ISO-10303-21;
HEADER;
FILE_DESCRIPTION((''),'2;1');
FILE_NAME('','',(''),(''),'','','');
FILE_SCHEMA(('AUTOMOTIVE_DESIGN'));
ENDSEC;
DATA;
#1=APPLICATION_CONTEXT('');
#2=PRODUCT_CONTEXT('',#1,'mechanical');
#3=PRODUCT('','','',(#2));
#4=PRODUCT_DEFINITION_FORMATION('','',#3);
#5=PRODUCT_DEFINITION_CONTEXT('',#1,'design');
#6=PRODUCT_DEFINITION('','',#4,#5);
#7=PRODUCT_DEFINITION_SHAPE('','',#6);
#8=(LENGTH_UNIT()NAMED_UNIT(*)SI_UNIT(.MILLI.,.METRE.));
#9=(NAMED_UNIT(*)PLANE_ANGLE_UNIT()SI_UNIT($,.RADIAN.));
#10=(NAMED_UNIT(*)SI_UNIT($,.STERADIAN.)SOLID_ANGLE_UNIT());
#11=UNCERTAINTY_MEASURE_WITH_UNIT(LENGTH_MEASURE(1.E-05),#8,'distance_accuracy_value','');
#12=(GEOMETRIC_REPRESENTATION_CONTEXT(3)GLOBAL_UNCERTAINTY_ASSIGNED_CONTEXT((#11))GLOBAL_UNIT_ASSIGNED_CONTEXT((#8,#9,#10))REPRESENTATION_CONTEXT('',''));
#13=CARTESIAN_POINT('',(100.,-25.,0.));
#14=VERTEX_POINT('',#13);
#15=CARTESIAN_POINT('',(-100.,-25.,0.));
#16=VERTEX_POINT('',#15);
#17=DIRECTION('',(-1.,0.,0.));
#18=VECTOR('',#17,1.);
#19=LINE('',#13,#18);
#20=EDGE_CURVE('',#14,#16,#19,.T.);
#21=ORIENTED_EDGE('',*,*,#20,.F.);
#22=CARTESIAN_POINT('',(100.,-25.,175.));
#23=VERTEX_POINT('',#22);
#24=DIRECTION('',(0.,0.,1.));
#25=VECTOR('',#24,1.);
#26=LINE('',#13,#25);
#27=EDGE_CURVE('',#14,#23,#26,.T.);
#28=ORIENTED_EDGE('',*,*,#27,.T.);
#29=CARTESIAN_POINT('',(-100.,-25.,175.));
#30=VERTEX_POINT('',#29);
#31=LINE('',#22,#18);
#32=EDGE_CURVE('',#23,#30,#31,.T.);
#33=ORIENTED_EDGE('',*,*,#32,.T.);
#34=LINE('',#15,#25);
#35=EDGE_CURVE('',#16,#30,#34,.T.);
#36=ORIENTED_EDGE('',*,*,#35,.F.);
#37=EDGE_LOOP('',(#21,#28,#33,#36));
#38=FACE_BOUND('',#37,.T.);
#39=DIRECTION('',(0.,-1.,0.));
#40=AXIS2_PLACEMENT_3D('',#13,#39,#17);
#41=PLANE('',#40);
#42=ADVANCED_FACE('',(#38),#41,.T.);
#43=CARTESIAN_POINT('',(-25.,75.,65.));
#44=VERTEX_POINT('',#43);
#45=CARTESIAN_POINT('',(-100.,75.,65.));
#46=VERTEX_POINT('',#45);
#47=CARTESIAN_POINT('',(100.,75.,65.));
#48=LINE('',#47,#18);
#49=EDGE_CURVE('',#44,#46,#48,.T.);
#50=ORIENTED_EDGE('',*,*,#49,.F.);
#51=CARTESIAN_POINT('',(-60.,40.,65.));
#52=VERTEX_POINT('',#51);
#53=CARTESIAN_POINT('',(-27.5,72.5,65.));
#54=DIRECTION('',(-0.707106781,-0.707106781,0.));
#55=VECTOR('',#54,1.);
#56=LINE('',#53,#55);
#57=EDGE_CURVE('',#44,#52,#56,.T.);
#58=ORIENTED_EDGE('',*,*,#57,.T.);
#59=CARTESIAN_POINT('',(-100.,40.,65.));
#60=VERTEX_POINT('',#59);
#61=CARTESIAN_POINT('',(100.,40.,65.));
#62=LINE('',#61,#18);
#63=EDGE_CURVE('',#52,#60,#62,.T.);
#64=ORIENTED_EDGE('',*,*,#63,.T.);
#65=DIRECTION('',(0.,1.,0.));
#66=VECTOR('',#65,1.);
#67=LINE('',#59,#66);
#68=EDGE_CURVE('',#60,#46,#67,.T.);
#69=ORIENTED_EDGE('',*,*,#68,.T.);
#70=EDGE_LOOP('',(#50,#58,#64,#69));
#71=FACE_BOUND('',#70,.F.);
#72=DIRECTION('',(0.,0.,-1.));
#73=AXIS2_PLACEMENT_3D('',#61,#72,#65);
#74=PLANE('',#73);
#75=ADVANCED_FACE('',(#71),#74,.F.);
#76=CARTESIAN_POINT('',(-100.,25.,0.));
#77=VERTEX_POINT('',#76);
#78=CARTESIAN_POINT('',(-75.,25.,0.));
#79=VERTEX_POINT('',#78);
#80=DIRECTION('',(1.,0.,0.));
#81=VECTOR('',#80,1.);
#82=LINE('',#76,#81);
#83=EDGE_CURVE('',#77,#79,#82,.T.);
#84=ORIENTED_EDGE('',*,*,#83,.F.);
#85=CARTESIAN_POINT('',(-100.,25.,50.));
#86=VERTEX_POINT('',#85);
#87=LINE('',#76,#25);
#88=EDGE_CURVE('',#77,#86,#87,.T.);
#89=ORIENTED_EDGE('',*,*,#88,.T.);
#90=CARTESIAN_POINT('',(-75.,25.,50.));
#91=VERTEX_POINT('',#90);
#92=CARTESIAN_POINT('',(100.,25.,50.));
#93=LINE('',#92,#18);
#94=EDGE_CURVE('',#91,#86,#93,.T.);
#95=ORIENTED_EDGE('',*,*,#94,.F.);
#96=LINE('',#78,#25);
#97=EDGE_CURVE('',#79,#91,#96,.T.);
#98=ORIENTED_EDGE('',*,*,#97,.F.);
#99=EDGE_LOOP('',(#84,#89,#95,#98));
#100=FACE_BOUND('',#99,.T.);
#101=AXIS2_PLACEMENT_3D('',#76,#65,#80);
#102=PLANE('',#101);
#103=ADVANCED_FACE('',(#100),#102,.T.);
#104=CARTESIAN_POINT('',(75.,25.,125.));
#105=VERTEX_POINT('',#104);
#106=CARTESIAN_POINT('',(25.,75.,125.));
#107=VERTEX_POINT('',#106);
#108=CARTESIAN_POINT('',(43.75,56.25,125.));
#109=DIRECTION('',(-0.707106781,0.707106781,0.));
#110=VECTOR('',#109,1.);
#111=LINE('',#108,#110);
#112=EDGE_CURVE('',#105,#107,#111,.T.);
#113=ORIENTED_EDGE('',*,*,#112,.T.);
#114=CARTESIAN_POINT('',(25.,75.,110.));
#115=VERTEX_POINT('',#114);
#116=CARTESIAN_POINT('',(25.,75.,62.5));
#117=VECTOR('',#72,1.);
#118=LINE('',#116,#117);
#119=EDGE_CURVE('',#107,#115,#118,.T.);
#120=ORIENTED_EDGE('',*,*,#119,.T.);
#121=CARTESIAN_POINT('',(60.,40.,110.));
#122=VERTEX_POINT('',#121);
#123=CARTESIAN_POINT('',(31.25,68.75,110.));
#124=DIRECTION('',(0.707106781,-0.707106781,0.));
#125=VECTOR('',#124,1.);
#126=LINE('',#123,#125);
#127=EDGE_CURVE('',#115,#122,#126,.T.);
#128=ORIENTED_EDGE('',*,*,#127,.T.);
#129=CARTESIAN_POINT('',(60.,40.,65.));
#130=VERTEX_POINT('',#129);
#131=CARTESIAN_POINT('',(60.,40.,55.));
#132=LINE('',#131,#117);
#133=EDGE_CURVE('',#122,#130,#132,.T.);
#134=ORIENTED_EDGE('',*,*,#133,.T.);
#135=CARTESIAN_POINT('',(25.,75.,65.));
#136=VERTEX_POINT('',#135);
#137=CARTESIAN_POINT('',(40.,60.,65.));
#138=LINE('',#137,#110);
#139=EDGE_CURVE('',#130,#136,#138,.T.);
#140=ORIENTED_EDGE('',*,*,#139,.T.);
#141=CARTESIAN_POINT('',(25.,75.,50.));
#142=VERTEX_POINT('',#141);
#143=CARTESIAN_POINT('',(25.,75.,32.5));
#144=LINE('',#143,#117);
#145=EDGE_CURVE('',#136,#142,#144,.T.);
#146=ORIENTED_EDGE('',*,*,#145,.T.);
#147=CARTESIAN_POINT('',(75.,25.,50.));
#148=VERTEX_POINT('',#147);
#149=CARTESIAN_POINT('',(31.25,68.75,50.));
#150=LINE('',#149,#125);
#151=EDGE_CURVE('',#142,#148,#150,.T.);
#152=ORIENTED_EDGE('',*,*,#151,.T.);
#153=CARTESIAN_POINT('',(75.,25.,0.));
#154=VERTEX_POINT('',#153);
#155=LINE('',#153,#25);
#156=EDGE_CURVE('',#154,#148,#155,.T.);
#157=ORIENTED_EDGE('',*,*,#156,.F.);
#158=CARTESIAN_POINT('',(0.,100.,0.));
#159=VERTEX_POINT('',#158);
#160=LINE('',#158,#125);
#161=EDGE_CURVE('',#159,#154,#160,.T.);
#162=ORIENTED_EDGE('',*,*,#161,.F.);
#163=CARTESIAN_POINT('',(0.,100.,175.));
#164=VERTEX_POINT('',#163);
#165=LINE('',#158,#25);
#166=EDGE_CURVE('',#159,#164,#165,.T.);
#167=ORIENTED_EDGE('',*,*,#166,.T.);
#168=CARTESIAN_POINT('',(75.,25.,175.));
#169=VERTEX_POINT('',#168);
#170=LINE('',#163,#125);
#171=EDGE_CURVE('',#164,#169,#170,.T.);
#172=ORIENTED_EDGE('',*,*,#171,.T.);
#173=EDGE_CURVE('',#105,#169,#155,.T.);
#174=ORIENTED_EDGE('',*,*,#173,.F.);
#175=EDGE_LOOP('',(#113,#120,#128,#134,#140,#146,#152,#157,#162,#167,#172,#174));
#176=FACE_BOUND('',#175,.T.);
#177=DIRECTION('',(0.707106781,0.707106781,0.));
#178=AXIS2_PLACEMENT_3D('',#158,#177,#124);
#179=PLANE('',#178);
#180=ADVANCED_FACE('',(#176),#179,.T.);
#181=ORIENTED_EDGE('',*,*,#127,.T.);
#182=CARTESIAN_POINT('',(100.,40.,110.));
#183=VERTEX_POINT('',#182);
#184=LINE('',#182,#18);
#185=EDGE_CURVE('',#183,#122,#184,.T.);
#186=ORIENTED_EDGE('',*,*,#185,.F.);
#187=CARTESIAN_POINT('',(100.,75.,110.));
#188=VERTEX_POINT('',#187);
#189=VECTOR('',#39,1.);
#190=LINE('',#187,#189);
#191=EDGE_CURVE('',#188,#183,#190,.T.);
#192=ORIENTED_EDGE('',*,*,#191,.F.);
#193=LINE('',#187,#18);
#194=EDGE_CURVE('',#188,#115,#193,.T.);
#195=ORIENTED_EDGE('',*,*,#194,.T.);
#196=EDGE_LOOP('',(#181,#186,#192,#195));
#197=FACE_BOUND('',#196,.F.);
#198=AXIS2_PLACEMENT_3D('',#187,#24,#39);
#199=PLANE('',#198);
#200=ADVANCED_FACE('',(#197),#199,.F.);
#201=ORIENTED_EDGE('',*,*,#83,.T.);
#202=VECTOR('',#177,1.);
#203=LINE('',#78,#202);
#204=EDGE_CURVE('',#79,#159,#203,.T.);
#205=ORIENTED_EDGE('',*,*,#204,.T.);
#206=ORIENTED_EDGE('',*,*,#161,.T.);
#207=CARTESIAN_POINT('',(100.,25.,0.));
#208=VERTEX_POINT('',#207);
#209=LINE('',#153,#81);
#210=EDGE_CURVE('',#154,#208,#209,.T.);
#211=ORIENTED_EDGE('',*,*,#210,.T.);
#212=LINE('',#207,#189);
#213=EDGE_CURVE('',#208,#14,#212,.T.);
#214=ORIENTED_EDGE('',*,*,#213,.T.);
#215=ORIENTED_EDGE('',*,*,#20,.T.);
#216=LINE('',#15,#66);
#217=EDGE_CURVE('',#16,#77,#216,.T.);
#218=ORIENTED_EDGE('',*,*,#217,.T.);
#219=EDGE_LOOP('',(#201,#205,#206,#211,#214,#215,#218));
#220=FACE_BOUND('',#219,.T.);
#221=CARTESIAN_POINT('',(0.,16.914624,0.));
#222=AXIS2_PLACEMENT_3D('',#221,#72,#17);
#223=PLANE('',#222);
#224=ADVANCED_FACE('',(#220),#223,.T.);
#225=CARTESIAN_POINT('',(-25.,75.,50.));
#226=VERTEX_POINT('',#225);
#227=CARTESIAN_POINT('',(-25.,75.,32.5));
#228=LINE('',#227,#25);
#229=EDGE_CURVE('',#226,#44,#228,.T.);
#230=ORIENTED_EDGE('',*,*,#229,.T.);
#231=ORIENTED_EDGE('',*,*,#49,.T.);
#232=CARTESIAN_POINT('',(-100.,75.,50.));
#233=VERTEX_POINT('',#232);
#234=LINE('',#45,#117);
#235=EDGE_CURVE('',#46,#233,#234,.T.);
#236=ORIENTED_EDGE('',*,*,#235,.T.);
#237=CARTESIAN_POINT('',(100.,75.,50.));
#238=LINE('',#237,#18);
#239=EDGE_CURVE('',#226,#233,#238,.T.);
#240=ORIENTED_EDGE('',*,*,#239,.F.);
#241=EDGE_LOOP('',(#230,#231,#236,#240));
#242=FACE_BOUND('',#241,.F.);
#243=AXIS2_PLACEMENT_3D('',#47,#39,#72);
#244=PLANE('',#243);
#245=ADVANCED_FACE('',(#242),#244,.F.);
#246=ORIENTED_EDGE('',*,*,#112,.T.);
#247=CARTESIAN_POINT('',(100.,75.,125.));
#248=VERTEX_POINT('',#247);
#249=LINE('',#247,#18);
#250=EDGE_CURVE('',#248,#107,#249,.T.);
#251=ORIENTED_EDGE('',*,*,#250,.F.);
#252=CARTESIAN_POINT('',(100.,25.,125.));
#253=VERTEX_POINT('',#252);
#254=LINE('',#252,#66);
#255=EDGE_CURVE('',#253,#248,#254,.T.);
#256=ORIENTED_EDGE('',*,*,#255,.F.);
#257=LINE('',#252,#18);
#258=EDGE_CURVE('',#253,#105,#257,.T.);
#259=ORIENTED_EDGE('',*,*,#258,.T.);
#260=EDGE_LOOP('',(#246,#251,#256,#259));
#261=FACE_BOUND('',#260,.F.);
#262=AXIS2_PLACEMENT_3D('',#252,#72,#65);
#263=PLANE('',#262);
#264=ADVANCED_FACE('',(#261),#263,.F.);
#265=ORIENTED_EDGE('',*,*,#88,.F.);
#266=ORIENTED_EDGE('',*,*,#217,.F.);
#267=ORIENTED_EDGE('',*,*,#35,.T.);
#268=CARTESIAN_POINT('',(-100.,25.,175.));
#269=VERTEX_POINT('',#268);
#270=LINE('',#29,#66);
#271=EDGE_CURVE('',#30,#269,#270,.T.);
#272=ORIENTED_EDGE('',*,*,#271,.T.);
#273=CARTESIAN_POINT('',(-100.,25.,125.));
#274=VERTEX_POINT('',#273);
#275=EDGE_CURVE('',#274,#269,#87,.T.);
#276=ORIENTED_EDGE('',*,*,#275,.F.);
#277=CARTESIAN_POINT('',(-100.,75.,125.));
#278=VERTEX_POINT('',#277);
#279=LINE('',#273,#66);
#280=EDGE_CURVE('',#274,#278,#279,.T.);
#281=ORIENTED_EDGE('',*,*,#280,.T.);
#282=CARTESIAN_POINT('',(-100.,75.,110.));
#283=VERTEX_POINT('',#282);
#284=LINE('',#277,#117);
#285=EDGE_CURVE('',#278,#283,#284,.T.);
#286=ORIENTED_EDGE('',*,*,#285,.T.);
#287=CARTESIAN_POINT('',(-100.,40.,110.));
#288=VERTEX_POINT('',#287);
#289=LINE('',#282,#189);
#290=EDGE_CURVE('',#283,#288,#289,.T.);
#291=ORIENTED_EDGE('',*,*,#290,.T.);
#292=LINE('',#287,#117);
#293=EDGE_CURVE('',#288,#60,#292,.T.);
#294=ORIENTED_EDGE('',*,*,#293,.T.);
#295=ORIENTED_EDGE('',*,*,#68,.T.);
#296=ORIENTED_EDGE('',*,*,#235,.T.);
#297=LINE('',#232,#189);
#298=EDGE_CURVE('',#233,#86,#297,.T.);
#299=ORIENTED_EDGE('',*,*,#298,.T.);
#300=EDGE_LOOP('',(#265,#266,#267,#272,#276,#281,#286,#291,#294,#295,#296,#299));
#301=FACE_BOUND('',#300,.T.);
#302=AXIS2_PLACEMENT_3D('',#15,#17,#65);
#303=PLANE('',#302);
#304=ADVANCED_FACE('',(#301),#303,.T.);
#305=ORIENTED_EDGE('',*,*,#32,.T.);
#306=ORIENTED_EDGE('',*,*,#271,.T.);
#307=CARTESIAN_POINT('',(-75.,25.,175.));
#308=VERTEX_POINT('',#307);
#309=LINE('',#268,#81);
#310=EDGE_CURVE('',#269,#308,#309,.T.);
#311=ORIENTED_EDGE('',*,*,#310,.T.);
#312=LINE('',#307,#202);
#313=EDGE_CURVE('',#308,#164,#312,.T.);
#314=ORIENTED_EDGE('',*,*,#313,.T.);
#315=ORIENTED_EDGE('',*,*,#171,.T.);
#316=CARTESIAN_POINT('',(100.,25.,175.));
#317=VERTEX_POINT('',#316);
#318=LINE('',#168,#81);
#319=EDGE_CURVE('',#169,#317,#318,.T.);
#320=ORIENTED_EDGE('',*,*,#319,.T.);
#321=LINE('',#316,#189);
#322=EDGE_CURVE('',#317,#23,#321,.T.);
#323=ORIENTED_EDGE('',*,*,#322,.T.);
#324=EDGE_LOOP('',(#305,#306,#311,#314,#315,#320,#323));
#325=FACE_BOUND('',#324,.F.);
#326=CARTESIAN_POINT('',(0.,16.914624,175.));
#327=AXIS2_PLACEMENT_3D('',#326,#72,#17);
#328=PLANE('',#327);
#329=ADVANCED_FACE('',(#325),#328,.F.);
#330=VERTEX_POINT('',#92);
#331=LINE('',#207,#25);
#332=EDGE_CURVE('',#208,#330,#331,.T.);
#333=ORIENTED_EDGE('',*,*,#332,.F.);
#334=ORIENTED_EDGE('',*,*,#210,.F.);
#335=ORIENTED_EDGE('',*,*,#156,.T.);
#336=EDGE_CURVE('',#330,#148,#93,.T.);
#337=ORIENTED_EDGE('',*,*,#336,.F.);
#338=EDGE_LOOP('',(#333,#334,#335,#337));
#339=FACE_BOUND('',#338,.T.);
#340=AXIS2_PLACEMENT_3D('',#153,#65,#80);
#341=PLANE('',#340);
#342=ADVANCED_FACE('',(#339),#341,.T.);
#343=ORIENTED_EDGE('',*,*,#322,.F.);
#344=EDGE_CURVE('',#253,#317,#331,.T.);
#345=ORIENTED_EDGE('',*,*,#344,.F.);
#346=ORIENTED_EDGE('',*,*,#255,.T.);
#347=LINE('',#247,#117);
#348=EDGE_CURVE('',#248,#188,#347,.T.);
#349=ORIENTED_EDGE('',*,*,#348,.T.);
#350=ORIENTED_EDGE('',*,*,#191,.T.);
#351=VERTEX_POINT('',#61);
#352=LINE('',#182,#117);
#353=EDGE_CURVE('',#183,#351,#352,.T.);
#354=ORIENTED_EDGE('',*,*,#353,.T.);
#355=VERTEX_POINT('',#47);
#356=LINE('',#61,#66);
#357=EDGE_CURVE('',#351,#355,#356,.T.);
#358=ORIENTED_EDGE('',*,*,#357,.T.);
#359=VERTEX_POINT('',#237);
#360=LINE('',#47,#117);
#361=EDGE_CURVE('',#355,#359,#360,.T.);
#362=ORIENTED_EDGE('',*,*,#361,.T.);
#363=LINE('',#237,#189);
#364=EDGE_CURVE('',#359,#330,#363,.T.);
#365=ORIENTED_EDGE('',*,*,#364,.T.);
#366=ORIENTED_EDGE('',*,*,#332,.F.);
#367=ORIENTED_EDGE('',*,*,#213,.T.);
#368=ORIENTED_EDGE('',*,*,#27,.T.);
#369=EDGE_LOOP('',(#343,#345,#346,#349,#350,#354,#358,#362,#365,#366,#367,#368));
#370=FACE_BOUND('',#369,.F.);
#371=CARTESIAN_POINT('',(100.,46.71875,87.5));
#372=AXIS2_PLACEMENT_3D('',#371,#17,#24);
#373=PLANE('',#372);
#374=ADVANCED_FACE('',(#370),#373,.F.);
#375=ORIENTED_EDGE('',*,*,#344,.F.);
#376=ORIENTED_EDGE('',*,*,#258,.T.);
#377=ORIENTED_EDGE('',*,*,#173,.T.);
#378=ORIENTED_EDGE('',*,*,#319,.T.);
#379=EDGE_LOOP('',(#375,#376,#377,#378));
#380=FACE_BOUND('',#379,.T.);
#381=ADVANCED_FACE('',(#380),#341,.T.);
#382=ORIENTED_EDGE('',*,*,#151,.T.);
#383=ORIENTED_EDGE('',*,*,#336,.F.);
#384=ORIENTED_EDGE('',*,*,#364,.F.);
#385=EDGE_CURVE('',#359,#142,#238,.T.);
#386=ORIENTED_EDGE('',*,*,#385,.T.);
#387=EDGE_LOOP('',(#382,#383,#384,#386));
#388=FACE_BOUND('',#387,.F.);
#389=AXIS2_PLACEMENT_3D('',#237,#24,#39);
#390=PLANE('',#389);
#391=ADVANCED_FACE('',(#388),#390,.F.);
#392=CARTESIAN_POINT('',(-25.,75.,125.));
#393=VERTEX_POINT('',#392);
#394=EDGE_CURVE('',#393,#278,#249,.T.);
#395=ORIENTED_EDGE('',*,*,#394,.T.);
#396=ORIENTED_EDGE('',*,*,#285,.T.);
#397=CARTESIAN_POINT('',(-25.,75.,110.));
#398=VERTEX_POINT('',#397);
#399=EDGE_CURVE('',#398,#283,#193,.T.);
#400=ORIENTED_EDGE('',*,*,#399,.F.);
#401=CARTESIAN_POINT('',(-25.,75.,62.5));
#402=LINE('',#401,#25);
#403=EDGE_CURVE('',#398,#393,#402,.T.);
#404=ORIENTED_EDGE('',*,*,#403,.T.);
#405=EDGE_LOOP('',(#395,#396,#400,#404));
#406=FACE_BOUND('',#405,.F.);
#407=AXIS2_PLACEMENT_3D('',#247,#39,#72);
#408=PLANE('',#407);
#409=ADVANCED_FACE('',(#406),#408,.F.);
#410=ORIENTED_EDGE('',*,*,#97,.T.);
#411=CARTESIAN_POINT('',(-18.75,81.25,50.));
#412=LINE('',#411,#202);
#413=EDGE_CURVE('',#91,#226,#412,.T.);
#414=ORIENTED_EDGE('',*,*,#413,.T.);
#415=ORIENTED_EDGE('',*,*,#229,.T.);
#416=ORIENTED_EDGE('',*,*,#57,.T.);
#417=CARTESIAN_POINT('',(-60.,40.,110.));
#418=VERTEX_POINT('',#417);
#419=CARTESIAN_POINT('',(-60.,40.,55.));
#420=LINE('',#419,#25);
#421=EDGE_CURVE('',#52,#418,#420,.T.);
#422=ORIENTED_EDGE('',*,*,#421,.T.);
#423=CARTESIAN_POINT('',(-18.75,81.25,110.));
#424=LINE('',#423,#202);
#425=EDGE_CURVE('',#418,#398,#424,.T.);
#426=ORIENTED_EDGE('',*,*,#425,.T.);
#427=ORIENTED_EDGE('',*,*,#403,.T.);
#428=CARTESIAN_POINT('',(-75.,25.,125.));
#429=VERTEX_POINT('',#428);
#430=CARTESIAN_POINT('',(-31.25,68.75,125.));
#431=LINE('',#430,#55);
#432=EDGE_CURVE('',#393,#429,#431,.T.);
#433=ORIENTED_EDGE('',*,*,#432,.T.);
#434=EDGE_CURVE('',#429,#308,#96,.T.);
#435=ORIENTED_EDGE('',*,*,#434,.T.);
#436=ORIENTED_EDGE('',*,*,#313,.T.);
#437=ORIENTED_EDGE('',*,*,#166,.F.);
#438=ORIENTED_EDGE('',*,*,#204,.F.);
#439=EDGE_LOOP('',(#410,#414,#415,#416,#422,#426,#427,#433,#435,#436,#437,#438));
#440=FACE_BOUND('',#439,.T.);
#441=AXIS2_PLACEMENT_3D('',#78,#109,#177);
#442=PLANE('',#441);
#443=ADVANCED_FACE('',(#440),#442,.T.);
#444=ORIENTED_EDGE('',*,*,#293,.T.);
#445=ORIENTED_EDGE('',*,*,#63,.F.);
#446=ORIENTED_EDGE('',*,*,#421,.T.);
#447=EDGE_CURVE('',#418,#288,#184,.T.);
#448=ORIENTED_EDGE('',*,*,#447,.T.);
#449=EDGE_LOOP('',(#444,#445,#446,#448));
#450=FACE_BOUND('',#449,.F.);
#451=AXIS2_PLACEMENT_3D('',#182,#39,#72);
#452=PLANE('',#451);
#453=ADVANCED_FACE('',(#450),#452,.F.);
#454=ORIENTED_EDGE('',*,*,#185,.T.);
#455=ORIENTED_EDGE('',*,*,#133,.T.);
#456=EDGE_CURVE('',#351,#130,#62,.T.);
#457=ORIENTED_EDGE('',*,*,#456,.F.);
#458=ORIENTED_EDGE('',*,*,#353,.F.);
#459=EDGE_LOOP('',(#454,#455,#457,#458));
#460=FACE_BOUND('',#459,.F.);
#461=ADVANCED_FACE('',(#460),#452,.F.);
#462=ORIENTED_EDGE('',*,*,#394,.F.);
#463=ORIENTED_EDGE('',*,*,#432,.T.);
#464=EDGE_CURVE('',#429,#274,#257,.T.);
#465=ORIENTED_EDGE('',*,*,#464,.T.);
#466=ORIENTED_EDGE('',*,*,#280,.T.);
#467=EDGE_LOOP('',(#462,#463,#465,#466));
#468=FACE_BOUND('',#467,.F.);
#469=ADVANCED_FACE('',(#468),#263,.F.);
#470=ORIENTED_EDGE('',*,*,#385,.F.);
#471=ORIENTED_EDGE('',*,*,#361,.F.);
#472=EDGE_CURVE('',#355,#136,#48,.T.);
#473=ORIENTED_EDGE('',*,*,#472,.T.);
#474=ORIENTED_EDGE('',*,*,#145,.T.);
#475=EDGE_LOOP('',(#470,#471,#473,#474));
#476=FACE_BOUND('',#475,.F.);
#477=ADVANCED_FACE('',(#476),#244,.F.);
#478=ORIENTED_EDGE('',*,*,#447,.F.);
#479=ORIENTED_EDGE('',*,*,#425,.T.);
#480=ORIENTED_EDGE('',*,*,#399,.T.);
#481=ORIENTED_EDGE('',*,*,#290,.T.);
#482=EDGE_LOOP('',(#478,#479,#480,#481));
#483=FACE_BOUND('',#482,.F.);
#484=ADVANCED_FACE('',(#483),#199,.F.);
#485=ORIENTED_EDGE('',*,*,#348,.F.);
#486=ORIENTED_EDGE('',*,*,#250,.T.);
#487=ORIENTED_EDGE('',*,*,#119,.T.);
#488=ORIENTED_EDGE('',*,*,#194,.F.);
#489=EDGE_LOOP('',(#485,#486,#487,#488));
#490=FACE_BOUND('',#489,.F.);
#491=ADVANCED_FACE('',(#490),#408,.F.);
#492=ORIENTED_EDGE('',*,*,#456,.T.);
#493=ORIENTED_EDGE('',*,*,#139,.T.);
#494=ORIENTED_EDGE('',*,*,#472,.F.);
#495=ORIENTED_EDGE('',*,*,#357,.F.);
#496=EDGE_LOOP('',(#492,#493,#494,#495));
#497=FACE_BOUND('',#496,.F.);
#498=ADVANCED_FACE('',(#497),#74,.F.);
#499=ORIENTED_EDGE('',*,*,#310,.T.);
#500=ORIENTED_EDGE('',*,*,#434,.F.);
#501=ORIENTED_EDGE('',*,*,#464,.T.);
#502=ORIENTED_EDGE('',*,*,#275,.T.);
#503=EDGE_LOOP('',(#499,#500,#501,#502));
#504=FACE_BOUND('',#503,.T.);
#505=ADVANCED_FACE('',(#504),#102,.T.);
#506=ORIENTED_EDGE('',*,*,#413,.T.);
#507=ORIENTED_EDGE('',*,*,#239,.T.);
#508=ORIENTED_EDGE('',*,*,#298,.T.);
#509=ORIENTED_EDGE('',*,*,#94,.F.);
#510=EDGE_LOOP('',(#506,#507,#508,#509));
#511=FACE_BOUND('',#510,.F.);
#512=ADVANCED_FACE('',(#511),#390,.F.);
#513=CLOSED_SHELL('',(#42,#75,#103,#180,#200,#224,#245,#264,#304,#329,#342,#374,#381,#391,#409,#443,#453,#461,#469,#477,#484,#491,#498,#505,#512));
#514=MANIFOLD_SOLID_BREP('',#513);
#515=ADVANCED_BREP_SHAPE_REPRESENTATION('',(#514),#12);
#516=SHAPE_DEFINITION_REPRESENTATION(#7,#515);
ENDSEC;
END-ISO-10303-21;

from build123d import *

# Parameters (mm, degrees)
BOSS_EXTRUDE1_DEPTH = 175
BOSS_EXTRUDE2_DEPTH = 200


with BuildPart() as part:
    # Sketch1 → Boss-Extrude1 (new body)
    with BuildSketch(Plane.XY):
        Polygon((75, 25), (100, 25), (100, -25), (-100, -25), (-100, 25), (-75, 25), (0, 100), align=None)
    extrude(amount=BOSS_EXTRUDE1_DEPTH)

    # Sketch2 → Boss-Extrude2 (add)
    with BuildSketch(Plane(origin=(100, 0, 0), x_dir=(0, 0, -1), z_dir=(1, 0, 0))):
        Polygon((-125, 25), (-125, 75), (-110, 75), (-110, 40), (-65, 40), (-65, 75), (-50, 75), (-50, 25), align=None)
    extrude(amount=-BOSS_EXTRUDE2_DEPTH)


solid = part.part
